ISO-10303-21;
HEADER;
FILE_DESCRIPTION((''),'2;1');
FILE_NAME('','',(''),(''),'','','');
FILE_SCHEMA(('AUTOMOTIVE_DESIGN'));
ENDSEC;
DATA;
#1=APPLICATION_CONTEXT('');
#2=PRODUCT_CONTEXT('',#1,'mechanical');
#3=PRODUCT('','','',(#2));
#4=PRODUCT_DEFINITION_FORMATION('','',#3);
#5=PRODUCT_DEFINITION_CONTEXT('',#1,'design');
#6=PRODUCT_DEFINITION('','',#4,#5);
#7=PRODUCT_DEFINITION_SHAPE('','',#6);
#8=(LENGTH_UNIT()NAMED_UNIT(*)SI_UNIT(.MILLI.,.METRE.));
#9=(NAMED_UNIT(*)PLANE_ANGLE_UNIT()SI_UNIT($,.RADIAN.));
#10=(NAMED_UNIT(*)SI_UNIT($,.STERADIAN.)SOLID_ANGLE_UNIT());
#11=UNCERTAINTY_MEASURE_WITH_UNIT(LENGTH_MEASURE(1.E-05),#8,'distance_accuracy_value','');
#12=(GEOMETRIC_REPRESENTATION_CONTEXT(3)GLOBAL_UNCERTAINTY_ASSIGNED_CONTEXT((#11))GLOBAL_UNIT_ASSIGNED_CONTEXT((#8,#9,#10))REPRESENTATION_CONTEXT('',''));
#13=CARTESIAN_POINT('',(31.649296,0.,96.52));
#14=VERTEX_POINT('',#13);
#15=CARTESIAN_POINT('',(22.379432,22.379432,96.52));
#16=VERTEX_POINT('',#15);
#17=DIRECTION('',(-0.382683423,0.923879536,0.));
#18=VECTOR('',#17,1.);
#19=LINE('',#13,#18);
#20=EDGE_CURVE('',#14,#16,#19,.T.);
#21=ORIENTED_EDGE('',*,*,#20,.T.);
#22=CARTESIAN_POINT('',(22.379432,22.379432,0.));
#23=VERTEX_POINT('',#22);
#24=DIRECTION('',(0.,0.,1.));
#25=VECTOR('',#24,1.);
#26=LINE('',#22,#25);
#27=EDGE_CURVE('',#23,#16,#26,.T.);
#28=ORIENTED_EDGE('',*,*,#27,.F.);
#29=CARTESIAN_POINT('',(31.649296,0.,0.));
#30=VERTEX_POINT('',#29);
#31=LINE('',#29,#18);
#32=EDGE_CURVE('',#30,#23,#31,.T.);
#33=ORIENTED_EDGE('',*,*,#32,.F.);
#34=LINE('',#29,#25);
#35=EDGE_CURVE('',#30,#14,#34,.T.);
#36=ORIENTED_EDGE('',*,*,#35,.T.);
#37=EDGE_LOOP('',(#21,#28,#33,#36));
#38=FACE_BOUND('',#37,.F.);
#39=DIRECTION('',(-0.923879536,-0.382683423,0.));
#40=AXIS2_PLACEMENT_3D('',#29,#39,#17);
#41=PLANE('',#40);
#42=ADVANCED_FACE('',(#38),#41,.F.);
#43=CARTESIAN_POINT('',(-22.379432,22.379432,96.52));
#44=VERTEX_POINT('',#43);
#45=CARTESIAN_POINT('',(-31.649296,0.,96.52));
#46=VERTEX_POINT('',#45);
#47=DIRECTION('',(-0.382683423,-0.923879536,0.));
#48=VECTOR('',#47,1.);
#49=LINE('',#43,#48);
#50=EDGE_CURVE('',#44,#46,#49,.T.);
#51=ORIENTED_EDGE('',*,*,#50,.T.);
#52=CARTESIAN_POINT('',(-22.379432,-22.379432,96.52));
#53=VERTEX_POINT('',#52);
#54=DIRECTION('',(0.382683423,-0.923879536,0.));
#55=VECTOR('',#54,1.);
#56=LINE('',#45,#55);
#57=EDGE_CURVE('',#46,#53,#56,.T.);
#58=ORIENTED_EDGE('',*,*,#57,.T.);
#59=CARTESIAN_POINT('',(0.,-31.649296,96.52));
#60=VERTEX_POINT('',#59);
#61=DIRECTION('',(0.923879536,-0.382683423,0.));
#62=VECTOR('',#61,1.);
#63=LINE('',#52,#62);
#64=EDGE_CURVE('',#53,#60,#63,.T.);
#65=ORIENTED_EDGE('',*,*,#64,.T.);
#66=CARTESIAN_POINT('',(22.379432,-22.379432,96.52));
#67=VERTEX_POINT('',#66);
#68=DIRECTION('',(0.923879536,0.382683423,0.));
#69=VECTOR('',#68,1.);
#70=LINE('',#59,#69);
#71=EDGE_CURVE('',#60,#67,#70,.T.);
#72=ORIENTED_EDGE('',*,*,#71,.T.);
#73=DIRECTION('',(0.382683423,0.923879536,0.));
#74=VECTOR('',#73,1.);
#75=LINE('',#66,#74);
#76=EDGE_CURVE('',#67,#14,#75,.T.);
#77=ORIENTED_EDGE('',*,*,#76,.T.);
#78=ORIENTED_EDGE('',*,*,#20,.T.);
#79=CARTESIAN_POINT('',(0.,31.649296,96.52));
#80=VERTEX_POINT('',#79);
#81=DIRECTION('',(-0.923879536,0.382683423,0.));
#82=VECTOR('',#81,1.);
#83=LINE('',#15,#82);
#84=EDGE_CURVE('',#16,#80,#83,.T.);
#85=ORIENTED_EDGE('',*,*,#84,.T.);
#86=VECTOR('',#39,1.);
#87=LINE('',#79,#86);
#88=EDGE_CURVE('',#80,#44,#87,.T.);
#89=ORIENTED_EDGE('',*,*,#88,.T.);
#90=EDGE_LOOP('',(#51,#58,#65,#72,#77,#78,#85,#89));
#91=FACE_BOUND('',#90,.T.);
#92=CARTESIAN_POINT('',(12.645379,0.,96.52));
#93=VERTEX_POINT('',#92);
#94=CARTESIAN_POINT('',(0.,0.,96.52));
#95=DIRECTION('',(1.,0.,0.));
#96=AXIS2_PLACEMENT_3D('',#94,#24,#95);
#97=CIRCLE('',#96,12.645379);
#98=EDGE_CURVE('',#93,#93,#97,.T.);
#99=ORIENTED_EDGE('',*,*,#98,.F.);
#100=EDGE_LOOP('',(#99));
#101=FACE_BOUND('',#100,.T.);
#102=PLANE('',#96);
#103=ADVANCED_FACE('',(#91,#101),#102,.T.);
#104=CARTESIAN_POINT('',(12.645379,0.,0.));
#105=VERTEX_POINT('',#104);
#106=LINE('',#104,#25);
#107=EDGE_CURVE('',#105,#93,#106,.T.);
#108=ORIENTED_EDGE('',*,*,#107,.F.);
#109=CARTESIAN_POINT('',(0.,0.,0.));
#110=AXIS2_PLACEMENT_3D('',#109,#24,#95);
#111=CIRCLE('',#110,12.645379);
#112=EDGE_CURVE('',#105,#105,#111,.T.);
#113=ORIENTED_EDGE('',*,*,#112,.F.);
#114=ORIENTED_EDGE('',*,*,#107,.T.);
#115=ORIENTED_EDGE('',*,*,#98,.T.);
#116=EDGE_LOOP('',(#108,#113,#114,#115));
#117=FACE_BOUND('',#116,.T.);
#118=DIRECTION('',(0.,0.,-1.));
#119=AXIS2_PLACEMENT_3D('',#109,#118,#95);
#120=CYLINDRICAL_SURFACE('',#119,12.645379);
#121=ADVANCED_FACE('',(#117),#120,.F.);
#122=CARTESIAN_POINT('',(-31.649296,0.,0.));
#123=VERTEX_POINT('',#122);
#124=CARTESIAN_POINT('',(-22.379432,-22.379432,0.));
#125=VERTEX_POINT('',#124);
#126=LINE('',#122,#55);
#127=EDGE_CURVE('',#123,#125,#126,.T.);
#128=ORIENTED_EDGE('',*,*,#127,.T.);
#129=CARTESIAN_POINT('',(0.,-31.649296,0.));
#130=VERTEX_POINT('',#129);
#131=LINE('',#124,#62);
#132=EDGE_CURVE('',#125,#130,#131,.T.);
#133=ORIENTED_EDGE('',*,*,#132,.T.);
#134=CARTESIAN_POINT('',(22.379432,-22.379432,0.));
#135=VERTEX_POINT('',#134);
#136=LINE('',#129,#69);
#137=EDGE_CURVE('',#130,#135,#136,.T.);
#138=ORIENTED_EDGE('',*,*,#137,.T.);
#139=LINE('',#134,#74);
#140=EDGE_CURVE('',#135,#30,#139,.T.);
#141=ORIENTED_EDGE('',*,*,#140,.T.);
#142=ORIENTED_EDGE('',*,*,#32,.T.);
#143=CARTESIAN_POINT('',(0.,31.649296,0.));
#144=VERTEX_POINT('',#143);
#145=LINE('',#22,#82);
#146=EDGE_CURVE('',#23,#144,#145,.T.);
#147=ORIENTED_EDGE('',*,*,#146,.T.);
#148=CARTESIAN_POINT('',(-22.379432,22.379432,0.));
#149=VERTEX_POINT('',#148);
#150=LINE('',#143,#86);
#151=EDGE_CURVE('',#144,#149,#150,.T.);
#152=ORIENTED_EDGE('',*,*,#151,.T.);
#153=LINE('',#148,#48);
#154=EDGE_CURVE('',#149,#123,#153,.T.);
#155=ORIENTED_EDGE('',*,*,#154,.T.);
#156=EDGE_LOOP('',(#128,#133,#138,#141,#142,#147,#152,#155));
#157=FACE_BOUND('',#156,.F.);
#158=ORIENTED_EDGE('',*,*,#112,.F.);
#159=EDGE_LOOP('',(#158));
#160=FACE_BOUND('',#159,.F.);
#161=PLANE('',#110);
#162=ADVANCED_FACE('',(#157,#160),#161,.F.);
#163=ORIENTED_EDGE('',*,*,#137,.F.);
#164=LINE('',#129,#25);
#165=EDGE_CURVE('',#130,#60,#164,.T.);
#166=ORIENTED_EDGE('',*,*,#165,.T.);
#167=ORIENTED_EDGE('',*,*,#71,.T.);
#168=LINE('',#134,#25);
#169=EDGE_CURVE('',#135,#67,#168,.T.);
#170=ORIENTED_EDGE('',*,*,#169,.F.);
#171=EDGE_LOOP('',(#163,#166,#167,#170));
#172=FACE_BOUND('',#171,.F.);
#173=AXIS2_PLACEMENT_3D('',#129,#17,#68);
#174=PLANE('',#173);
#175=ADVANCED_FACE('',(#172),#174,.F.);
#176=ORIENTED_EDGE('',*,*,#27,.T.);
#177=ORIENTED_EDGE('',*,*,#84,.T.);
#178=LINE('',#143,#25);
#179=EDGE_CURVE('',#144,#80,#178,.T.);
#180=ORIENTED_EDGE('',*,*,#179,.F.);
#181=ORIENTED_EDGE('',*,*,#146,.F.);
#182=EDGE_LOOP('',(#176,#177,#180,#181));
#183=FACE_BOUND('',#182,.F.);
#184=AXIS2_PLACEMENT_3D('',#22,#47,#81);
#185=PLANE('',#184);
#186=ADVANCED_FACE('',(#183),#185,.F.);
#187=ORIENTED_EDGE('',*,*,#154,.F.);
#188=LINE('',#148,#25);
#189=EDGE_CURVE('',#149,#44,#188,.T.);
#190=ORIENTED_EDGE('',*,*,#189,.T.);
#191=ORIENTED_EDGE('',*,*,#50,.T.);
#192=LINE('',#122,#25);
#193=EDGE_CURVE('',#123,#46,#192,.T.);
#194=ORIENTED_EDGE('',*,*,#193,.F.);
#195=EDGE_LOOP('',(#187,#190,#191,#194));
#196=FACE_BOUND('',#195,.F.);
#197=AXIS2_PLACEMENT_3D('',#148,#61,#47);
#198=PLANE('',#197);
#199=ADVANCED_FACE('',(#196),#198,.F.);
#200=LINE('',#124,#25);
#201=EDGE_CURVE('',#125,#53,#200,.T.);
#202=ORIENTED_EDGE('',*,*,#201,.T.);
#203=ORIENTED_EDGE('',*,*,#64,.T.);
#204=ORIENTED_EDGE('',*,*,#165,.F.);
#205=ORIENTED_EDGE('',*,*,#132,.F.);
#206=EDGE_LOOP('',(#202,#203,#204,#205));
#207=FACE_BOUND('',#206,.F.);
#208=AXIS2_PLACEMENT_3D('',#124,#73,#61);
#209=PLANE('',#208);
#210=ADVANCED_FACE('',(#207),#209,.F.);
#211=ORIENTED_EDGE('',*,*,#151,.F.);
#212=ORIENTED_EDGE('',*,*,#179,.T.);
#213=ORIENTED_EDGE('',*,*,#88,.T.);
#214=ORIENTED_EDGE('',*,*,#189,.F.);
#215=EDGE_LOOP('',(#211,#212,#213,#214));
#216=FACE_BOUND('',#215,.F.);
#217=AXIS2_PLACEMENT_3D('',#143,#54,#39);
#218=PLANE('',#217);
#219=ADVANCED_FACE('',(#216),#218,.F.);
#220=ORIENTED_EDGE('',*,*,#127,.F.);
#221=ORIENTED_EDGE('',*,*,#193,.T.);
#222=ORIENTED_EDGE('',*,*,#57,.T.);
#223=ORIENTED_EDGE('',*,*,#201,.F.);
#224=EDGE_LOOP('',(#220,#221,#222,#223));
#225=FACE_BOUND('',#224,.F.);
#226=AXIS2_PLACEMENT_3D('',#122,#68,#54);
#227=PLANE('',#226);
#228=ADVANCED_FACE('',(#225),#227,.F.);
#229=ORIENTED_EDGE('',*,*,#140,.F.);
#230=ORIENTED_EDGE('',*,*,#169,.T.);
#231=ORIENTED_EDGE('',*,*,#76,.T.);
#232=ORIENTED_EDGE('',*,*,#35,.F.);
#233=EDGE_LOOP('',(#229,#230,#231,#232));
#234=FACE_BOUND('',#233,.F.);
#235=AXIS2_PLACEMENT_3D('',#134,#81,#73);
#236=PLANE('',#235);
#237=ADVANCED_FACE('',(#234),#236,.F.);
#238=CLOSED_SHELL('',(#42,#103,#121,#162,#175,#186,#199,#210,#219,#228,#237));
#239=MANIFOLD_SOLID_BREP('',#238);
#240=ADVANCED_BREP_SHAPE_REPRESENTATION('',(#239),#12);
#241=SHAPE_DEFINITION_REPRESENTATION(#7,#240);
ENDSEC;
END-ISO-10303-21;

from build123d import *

# Parameters (mm, degrees)
F0_R     = 12.645379
F2_DEPTH = 96.52


with BuildPart() as f2:
    # F0 (on Top) → F2 (new body)
    with BuildSketch(Plane.XY):
        Polygon((22.379432, 22.379432), (0, 31.649296), (-22.379432, 22.379432), (-31.649296, 0), (-22.379432, -22.379432), (0, -31.649296), (22.379432, -22.379432), (31.649296, 0), align=None)
        Circle(F0_R, mode=Mode.SUBTRACT)
    extrude(amount=F2_DEPTH)


solid = f2.part
